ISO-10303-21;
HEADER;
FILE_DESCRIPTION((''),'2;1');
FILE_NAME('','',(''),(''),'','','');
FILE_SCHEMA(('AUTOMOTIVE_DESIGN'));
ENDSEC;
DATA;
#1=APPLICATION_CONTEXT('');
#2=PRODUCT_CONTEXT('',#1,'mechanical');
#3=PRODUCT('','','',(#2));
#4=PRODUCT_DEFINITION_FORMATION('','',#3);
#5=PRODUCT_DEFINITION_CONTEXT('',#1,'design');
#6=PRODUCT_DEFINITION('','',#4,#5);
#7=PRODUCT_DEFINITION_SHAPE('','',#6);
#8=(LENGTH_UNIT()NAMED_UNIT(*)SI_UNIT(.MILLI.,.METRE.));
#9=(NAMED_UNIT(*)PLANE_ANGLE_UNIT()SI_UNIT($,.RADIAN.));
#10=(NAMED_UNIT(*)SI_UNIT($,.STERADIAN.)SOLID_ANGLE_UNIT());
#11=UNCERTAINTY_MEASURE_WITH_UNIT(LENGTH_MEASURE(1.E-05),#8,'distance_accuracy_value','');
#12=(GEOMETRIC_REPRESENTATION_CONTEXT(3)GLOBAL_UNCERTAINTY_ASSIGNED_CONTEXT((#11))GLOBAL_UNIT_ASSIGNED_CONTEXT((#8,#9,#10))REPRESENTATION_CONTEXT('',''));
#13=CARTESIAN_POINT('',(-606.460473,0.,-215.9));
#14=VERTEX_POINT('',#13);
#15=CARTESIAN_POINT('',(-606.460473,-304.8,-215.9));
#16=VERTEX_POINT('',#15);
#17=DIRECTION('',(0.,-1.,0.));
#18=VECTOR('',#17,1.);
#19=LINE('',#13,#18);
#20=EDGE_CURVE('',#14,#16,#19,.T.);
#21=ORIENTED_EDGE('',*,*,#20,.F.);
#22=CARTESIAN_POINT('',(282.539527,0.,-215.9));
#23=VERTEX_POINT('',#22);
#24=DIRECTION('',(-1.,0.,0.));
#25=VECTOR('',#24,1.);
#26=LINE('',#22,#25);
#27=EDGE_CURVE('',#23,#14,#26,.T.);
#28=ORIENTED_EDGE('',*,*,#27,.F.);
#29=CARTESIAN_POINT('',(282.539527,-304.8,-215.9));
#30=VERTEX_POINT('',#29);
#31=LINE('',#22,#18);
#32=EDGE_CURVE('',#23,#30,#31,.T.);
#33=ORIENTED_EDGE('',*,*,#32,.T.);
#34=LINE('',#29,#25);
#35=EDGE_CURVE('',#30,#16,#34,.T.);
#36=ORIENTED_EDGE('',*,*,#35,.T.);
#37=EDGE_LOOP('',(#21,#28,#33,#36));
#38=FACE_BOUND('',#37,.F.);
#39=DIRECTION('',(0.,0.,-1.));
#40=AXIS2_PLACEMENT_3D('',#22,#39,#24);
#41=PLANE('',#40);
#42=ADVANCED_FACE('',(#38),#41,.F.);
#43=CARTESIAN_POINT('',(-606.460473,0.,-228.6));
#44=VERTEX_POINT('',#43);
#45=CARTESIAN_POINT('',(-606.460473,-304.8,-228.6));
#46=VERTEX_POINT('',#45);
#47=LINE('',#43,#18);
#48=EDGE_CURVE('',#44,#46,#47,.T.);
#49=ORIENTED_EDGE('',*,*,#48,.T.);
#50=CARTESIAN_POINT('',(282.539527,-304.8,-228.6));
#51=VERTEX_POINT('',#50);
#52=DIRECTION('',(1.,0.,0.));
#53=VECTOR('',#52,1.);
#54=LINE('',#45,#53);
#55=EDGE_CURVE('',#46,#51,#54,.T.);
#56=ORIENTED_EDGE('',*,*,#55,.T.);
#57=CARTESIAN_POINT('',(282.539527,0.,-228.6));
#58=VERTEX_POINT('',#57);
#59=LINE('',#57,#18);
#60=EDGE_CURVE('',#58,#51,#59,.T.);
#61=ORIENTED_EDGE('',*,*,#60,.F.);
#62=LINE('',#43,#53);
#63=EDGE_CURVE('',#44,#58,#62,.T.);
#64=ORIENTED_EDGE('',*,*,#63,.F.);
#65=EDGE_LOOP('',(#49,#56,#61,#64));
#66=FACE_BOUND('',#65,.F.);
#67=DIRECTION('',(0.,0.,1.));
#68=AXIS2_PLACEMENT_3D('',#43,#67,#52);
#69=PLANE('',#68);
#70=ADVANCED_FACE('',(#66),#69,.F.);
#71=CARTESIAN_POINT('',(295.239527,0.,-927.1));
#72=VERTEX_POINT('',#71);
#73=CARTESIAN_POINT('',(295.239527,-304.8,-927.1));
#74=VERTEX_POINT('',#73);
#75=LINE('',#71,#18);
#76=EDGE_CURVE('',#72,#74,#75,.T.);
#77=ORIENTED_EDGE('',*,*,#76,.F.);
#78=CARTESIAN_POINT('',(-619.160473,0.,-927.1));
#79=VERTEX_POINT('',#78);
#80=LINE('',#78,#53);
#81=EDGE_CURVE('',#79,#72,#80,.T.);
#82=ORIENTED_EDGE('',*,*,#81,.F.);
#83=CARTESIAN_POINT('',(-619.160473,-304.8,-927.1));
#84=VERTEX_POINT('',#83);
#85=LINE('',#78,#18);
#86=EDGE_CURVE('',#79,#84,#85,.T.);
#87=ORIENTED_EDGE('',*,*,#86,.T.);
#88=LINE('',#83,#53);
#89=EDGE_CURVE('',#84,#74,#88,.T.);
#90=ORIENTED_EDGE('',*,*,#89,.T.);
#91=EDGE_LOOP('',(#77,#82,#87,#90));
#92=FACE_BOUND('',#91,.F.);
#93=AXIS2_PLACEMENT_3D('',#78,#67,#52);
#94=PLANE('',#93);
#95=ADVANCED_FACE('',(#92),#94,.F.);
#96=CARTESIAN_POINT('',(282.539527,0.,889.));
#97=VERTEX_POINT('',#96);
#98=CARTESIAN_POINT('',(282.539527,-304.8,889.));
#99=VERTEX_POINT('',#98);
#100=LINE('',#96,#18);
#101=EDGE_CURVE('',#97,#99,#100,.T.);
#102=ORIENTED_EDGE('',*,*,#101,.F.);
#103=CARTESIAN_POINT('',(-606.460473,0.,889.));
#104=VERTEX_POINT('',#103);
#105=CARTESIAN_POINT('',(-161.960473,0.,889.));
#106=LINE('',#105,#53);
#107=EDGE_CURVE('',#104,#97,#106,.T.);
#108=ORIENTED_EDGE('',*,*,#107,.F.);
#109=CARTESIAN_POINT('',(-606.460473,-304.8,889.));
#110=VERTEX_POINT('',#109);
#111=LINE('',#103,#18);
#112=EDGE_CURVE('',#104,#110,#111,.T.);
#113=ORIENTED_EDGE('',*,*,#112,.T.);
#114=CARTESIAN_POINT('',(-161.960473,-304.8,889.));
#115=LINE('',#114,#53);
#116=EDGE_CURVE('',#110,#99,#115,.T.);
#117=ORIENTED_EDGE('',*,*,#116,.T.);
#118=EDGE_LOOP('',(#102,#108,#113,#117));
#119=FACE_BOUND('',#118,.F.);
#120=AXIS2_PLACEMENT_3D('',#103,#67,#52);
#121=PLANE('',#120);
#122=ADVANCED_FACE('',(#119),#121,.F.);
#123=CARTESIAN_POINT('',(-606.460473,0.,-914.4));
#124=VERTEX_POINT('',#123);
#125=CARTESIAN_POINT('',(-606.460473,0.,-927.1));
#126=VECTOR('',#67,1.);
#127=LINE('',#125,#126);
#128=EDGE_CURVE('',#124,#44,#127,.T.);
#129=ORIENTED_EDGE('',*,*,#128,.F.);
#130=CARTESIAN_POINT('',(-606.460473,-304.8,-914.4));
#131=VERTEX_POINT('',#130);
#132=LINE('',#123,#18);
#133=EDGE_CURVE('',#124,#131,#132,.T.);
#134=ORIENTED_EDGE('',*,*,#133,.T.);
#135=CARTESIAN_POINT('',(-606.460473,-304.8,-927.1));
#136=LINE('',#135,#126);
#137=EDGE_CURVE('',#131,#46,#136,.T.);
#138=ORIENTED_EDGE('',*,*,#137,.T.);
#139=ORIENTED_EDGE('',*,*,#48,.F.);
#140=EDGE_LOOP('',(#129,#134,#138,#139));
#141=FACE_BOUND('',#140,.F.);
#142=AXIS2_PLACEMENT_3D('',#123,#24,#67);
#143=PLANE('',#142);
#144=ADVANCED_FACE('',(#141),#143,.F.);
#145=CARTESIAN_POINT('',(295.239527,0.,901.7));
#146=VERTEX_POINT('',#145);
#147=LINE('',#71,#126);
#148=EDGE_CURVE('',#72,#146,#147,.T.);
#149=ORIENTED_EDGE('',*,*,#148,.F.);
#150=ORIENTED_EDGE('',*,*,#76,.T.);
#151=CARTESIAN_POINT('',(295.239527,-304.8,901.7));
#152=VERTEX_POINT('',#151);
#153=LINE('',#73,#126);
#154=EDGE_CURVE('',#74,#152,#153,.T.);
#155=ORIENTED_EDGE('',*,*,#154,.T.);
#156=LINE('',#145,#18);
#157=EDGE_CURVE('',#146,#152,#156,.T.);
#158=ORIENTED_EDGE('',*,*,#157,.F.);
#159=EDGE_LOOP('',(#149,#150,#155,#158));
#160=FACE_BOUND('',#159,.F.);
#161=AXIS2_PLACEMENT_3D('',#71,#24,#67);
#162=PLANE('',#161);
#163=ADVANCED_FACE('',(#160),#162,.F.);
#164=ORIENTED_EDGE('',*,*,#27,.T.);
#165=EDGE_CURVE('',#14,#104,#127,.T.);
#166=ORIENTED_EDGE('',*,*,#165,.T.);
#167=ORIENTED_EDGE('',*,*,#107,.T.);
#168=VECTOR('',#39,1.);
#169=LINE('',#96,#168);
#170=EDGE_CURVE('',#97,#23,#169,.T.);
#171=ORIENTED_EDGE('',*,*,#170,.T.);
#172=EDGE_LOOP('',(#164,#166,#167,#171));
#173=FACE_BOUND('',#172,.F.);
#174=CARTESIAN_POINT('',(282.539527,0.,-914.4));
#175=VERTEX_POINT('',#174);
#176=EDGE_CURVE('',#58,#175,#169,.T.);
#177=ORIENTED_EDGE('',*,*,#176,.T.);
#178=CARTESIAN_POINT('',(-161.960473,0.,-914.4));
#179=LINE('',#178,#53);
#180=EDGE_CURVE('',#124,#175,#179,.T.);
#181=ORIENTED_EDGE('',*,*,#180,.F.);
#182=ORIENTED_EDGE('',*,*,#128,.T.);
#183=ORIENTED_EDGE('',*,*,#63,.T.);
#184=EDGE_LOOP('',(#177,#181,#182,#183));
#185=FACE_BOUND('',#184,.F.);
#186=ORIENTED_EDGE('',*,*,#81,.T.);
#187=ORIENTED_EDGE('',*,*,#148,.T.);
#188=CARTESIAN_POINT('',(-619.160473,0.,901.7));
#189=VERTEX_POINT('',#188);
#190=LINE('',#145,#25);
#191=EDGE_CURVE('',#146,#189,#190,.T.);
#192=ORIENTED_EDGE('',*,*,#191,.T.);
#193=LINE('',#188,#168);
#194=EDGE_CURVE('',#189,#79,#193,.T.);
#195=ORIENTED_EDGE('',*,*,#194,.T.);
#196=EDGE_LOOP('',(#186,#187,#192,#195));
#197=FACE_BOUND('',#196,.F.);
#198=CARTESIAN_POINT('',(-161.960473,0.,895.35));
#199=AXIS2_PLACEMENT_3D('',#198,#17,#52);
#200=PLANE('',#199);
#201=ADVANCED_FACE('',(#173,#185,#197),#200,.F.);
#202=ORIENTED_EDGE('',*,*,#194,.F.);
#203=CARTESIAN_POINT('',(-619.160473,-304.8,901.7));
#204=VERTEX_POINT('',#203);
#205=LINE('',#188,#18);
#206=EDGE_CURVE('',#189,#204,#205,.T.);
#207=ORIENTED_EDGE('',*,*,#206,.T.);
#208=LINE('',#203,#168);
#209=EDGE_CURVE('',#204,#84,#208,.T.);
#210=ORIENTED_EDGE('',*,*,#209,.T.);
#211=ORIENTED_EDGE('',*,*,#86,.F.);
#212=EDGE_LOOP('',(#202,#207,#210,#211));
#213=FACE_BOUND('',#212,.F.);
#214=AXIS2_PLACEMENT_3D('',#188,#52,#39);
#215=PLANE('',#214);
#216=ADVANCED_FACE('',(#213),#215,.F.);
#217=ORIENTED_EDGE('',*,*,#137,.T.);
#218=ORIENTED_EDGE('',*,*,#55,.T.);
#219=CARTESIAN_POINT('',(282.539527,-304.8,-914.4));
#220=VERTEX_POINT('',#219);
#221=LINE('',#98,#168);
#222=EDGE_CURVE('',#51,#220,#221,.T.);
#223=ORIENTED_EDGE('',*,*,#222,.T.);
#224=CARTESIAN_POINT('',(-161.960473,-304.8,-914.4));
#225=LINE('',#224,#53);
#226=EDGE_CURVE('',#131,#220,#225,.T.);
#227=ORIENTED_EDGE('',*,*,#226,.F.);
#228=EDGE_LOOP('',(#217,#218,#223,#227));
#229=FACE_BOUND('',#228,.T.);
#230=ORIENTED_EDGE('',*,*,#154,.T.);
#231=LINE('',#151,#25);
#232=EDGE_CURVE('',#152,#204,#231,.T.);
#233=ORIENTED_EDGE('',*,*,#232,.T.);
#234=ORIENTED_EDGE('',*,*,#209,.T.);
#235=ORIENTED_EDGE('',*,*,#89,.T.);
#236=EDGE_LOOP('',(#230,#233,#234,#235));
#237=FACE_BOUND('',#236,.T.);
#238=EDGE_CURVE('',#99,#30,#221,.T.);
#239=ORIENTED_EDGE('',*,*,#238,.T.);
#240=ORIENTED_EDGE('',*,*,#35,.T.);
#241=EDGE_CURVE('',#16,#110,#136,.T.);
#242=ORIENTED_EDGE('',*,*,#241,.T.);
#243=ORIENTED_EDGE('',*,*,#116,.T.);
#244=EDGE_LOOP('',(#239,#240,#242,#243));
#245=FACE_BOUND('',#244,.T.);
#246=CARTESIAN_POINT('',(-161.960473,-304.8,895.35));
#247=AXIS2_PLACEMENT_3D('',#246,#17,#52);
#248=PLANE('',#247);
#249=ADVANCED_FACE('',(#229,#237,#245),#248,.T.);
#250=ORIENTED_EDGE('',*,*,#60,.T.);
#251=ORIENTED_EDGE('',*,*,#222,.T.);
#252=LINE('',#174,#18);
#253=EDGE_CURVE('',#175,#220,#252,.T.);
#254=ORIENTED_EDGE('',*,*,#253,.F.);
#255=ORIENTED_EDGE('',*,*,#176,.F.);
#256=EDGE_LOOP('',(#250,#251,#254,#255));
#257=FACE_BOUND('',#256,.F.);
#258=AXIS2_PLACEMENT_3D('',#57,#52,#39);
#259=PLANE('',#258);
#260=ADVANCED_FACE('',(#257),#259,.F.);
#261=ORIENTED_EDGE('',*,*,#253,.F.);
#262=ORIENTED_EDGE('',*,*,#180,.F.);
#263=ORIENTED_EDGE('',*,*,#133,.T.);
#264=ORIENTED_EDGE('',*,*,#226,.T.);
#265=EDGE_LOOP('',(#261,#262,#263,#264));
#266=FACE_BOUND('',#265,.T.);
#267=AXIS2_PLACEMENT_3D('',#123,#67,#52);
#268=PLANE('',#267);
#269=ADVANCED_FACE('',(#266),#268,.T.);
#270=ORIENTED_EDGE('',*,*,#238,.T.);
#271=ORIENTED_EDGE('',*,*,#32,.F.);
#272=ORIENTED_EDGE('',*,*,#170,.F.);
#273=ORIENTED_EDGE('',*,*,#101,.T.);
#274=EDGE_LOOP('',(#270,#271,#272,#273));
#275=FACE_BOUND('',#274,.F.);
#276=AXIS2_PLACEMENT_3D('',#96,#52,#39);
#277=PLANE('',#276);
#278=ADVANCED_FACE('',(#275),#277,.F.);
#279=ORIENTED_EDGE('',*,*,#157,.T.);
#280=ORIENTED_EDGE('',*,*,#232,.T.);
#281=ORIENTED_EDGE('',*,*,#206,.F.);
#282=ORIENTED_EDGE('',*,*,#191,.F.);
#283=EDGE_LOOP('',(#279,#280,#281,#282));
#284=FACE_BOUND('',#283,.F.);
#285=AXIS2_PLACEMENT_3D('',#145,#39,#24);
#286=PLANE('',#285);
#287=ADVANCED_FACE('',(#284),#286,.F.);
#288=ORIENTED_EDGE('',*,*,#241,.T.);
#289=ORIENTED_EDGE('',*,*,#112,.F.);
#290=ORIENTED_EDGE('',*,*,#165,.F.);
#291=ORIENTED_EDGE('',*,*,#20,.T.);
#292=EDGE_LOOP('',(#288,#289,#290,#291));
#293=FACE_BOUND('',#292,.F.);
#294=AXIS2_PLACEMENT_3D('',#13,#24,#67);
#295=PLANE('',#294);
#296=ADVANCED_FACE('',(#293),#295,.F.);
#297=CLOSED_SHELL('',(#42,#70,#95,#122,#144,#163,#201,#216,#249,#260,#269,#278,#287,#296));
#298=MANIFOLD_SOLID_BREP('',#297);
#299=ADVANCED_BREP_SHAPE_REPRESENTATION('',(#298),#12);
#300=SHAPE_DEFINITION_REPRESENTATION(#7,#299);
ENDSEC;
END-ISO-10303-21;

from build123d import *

# Parameters (mm, degrees)
F0_W     = 889
F0_H     = 12.7
F1_DEPTH = 304.8


with BuildPart() as f1:
    # F0 (on Front) → F1 (new body)
    with BuildSketch(Plane.XZ):
        with Locations((-161.960473, 895.35)):
            Rectangle(F0_W, F0_H)
        Polygon((-606.460473, 889), (-606.460473, 901.7), (-619.160473, 901.7), (-619.160473, -927.1), (-606.460473, -927.1), (-606.460473, -914.4), (-606.460473, -609.6), (-606.460473, -596.9), (-606.460473, -419.1), (-606.460473, -406.4), (-606.460473, -228.6), (-606.460473, -215.9), (-606.460473, -63.5), (-606.460473, -50.8), (-606.460473, 76.2), (-606.460473, 88.9), (-606.460473, 215.9), (-606.460473, 228.6), (-606.460473, 304.8), (-606.460473, 317.5), (-606.460473, 393.7), (-606.460473, 406.4), (-606.460473, 469.9), (-606.460473, 482.6), align=None)
        Polygon((295.239527, 901.7), (282.539527, 901.7), (282.539527, 889), (282.539527, 482.6), (282.539527, 469.9), (282.539527, -215.9), (282.539527, -228.6), (282.539527, -406.4), (282.539527, -419.1), (282.539527, -596.9), (282.539527, -609.6), (282.539527, -914.4), (282.539527, -927.1), (295.239527, -927.1), align=None)
        with Locations((-161.960473, -920.75)):
            Rectangle(F0_W, F0_H)
        Polygon((282.539527, -228.6), (282.539527, -215.9), (257.139527, -215.9), (-200.060473, -215.9), (-225.460473, -215.9), (-238.160473, -215.9), (-606.460473, -215.9), (-606.460473, -228.6), align=None)
    extrude(amount=F1_DEPTH)


solid = f1.part
